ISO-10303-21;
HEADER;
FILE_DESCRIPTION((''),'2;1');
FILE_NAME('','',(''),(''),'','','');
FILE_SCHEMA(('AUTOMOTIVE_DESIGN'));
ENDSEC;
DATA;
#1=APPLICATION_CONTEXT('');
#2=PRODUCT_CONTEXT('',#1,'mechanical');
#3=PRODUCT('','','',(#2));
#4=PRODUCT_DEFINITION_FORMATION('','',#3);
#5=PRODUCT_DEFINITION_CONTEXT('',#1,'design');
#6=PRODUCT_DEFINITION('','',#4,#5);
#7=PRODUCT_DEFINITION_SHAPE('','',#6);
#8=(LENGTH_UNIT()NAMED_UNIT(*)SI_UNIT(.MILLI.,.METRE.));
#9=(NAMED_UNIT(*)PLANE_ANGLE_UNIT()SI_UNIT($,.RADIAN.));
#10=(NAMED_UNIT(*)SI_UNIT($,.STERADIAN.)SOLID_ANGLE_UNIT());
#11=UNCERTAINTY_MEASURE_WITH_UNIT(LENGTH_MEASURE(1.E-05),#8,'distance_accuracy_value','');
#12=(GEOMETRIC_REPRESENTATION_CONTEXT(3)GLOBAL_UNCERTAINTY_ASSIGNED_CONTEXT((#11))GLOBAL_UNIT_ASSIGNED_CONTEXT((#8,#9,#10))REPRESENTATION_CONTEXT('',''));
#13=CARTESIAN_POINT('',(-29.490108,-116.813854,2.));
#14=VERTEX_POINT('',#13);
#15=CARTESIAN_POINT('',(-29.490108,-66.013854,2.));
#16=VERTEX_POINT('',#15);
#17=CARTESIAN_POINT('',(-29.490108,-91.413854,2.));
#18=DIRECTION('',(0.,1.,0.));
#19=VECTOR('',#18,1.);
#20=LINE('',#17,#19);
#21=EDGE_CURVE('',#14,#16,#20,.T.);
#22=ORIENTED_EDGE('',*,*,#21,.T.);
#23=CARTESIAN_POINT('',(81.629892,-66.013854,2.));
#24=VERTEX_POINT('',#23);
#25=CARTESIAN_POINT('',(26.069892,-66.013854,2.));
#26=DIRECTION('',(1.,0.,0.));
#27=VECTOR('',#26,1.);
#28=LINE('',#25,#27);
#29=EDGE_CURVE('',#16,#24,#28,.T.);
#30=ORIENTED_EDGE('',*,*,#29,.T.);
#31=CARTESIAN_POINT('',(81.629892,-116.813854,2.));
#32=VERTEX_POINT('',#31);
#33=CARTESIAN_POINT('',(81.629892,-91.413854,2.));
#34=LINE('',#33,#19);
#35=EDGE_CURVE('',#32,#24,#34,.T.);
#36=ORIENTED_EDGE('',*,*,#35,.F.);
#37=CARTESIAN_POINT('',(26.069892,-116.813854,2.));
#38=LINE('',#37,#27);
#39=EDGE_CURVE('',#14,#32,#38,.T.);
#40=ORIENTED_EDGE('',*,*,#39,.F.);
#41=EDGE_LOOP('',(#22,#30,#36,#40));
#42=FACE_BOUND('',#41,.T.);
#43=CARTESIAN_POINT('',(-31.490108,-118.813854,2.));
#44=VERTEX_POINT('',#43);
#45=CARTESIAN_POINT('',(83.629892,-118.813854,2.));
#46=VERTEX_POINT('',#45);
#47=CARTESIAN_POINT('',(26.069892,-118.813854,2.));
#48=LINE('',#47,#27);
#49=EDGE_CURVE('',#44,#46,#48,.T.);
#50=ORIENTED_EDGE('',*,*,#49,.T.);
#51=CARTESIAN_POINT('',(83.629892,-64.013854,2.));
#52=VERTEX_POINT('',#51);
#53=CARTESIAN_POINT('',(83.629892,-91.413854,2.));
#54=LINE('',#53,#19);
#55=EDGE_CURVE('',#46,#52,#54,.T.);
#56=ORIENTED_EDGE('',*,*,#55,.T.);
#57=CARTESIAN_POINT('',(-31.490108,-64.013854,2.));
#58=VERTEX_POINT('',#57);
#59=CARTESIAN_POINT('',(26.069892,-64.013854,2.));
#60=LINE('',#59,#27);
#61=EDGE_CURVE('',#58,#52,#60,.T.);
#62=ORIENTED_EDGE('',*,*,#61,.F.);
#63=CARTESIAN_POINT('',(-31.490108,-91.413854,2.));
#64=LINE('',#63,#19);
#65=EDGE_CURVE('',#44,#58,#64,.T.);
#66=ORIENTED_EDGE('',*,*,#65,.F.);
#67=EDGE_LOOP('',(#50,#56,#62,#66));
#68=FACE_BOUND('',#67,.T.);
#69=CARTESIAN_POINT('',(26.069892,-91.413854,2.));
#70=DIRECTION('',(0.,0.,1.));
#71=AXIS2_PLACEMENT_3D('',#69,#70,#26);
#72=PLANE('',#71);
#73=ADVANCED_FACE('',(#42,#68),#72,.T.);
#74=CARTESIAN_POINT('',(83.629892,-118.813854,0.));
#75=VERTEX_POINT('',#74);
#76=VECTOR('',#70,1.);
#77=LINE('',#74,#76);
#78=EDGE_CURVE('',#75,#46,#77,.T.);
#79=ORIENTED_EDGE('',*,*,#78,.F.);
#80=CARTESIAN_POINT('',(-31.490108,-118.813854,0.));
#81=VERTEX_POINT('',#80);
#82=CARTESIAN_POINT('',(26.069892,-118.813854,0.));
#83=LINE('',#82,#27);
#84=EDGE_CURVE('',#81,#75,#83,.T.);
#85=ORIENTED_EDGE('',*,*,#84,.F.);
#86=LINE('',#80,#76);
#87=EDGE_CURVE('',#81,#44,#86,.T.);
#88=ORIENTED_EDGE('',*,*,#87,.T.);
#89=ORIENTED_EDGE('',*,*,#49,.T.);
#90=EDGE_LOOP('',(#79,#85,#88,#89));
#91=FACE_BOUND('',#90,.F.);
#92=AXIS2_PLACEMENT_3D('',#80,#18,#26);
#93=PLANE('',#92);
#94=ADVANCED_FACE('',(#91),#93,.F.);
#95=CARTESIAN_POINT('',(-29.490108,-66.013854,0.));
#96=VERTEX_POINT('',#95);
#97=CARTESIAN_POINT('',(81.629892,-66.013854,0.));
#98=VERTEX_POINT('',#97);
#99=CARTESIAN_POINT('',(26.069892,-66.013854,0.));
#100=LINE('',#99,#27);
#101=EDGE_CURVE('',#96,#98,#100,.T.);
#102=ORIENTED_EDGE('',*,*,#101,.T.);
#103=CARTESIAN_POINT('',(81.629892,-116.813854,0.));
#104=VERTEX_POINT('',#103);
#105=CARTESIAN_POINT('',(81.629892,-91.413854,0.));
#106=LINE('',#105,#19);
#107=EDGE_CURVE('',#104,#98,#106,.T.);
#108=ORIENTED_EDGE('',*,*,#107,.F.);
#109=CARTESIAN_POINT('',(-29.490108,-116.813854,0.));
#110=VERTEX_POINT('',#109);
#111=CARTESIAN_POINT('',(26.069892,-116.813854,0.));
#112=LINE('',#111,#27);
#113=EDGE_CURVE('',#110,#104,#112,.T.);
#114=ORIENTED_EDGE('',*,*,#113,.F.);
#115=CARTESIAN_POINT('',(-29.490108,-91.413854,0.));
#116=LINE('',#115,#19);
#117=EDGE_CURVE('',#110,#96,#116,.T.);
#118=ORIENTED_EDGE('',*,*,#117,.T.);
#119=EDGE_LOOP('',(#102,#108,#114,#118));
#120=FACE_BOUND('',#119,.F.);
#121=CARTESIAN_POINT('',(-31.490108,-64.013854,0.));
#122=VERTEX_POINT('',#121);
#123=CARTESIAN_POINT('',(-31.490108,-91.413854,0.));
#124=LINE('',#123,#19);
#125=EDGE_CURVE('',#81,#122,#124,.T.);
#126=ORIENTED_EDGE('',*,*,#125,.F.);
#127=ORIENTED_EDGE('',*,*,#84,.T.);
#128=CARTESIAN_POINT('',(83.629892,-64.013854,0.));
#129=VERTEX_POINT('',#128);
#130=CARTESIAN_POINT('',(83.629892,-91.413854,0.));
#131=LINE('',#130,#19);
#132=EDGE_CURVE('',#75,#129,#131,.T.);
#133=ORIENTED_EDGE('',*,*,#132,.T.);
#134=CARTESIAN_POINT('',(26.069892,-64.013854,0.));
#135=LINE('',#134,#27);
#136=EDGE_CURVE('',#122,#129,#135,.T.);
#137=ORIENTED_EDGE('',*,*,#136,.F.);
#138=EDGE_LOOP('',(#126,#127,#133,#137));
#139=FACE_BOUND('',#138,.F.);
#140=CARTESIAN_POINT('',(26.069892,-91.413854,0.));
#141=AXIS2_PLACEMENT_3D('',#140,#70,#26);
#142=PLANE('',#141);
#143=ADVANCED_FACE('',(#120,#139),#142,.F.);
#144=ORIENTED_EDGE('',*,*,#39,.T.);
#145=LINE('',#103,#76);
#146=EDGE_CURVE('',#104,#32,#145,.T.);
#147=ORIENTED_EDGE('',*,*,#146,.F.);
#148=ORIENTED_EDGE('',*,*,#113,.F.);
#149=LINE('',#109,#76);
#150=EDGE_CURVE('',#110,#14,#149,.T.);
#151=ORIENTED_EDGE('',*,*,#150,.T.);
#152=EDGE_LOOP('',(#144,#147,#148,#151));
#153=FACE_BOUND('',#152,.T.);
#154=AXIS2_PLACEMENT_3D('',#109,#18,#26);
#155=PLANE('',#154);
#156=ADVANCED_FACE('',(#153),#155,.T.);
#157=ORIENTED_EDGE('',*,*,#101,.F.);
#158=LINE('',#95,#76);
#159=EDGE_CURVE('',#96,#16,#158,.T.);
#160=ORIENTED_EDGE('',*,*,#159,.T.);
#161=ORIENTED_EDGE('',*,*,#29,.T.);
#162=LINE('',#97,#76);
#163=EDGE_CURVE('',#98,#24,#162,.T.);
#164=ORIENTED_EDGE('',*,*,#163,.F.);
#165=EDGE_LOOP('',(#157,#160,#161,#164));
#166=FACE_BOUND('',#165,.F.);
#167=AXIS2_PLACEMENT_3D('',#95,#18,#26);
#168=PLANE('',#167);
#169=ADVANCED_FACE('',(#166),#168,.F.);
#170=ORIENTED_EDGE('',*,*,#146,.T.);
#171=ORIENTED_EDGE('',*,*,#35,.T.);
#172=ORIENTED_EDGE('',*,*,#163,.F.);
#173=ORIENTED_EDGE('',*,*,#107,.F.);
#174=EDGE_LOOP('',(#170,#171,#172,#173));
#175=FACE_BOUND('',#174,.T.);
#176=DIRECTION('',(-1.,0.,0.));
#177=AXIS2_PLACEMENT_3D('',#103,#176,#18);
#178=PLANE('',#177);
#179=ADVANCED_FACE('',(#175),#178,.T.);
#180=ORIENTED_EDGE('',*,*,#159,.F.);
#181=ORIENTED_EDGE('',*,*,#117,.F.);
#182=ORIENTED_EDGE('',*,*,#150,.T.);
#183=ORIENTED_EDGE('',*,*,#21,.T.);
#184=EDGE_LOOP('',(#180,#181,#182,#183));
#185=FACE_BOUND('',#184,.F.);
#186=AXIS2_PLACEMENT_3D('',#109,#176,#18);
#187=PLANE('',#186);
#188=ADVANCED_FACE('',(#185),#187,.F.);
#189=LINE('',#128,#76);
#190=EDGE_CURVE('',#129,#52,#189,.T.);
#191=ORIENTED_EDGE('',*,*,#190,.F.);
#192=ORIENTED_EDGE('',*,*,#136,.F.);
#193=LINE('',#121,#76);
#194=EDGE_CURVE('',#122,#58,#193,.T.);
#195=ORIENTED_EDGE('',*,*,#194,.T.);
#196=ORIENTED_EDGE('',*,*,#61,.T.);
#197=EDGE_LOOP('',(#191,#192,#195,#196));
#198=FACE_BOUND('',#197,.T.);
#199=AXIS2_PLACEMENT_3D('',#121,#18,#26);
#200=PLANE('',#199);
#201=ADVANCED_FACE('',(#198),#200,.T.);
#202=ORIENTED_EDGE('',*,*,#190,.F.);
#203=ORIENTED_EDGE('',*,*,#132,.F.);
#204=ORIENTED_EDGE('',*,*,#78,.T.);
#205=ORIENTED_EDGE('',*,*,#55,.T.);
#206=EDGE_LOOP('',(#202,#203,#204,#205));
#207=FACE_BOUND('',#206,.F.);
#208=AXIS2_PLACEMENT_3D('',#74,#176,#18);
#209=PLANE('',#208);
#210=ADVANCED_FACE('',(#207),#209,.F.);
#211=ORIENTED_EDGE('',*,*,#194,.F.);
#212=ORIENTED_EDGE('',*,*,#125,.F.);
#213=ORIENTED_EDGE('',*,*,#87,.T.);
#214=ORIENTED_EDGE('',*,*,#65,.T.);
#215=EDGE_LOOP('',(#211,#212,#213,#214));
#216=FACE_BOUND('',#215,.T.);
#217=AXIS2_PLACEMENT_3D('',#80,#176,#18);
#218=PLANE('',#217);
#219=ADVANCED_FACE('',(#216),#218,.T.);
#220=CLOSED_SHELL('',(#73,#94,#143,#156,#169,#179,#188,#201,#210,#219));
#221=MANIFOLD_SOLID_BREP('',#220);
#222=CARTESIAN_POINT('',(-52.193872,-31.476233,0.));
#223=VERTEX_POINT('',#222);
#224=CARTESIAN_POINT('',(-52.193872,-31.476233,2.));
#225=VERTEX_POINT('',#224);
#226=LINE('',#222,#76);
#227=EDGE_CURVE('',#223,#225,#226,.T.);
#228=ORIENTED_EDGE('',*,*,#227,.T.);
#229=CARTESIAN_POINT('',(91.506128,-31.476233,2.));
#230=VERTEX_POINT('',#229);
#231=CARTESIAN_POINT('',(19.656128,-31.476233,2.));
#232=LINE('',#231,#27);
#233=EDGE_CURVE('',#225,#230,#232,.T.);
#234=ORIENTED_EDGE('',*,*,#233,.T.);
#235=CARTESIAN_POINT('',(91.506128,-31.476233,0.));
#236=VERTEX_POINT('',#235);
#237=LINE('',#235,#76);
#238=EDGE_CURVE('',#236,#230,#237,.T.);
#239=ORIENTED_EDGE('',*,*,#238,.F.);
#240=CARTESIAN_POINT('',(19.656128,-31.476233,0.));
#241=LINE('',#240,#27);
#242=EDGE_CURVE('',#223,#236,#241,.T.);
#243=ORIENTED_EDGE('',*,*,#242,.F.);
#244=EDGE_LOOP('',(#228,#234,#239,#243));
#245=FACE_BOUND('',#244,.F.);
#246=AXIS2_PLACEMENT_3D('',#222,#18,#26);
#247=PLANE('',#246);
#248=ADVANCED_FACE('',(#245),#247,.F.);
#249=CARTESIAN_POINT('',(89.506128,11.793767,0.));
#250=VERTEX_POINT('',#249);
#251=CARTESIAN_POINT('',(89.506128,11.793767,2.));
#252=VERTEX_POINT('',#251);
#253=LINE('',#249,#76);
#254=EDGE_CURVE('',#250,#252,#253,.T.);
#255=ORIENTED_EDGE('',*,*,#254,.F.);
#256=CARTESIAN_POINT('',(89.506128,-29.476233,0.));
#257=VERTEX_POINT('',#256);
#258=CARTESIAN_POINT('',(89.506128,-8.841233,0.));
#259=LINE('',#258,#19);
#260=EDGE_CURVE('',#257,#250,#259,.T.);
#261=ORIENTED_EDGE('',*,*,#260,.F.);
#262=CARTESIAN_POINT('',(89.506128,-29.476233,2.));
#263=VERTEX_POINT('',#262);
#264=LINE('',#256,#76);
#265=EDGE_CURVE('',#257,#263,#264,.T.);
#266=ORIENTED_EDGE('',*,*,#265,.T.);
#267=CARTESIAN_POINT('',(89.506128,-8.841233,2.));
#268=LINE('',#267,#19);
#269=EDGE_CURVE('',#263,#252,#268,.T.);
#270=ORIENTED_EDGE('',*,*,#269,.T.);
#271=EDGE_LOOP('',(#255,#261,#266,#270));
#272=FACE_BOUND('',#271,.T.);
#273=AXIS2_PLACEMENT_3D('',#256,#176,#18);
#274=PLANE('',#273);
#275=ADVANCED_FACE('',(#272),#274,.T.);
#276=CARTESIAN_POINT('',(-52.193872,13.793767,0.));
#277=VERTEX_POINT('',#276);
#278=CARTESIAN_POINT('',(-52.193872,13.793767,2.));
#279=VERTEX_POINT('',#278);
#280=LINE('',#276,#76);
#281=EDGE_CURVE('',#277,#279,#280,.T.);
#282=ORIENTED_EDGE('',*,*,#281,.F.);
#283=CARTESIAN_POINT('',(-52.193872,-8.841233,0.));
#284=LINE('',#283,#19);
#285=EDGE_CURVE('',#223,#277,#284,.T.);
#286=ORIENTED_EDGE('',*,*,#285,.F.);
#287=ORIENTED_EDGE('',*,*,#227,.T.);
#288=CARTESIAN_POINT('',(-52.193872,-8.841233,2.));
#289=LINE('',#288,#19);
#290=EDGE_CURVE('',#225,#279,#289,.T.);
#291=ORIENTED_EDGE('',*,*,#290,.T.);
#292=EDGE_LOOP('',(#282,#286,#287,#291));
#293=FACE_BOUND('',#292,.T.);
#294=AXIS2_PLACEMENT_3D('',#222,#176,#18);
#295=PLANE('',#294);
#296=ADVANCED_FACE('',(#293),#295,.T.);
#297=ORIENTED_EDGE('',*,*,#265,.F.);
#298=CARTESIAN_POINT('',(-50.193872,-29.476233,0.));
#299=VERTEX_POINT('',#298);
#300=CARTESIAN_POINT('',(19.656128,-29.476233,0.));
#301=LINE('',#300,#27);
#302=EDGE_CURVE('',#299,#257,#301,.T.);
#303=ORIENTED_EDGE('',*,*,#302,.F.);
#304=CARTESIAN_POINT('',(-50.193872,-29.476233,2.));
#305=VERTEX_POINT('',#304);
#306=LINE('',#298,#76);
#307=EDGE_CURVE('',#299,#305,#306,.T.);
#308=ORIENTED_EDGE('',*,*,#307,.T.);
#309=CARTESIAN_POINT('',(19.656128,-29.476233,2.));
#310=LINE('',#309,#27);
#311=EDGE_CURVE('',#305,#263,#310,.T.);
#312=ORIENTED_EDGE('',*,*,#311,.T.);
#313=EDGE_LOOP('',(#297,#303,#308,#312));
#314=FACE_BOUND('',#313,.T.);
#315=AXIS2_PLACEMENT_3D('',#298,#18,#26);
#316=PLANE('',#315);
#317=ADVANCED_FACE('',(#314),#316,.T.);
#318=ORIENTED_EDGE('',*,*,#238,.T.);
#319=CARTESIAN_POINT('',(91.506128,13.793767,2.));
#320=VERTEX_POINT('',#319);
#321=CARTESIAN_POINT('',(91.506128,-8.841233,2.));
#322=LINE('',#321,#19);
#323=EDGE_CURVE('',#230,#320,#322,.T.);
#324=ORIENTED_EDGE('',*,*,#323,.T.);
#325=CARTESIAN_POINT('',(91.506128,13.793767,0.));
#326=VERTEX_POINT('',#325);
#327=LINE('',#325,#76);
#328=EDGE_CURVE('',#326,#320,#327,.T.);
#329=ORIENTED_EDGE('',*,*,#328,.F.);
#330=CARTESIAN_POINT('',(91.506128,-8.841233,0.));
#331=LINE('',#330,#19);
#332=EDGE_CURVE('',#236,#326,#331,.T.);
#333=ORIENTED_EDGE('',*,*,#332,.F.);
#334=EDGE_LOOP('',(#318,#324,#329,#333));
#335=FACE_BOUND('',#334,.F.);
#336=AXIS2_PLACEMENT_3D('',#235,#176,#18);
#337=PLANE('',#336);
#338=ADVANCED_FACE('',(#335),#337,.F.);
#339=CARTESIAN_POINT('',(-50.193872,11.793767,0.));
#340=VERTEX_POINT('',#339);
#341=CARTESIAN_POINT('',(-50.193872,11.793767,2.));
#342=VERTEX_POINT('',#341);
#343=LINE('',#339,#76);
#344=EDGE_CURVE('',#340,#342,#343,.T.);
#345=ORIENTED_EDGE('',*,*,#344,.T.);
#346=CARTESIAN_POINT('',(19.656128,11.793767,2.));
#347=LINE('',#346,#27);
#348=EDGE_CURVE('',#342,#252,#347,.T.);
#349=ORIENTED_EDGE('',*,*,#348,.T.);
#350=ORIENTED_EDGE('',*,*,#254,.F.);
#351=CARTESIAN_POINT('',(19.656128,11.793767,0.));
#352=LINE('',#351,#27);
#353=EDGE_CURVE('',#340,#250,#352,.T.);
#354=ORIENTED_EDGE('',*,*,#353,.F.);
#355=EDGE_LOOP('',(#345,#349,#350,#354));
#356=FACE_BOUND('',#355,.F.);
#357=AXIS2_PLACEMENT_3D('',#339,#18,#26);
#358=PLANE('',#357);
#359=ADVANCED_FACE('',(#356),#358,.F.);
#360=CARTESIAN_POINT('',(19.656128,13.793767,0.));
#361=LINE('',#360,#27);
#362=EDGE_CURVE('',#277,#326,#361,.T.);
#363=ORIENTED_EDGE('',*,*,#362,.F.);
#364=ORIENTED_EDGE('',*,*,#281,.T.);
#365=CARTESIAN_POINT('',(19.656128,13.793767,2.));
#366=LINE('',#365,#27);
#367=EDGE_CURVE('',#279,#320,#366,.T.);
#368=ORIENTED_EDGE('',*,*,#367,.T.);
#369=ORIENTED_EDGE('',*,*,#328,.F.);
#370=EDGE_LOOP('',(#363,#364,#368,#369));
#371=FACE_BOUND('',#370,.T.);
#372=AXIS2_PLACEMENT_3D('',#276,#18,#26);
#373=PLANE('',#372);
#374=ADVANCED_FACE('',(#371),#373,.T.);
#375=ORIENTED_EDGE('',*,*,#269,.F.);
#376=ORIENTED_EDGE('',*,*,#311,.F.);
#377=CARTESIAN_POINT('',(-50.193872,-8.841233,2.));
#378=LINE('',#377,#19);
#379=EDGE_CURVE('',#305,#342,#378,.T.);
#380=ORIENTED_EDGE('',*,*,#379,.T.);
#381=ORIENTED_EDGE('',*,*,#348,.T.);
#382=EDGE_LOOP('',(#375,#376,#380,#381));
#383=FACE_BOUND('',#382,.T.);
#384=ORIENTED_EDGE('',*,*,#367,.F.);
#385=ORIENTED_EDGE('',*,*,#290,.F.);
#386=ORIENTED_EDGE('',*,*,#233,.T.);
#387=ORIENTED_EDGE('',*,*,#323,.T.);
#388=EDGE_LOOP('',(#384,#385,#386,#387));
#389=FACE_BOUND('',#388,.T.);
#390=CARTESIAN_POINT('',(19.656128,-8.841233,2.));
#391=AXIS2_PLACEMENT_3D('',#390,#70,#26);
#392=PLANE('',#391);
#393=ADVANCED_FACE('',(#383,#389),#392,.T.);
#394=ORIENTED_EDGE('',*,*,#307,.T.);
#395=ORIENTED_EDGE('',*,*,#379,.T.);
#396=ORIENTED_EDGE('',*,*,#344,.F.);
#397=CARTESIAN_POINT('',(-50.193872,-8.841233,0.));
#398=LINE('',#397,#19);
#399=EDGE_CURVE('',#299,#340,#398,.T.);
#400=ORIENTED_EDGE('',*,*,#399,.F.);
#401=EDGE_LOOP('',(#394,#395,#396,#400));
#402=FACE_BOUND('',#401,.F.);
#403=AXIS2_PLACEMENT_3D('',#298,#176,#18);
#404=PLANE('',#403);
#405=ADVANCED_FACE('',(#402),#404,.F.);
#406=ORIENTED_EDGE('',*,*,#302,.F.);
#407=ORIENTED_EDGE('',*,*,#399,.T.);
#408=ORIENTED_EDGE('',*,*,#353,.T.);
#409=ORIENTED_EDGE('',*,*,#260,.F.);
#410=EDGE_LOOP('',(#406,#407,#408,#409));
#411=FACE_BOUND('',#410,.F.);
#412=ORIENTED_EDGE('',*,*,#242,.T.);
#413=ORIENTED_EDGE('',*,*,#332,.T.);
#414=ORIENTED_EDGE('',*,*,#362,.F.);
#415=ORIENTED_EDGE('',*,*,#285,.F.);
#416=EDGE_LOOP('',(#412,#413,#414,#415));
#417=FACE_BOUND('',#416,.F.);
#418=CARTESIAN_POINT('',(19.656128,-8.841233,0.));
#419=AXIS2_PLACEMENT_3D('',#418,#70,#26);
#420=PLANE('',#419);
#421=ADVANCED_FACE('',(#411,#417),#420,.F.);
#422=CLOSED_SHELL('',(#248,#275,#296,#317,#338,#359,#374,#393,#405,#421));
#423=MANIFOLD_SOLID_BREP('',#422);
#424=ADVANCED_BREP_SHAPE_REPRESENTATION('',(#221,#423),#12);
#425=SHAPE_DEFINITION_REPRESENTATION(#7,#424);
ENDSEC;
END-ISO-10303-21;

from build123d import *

# Parameters (mm, degrees)
SKETCH_W      = 143.7
SKETCH_H      = 45.27
SKETCH_W_2    = 139.7
SKETCH_H_2    = 41.27
PAD_DEPTH     = 2
SKETCH001_W   = 115.12
SKETCH001_H   = 54.8
SKETCH001_W_2 = 111.12
SKETCH001_H_2 = 50.8
PAD001_DEPTH  = 2


with BuildPart() as top:
    # Sketch → Pad (new body)
    with BuildSketch(Plane.XY):
        with Locations((19.656128, -8.841233)):
            Rectangle(SKETCH_W, SKETCH_H)
        with Locations((19.656128, -8.841233)):
            Rectangle(SKETCH_W_2, SKETCH_H_2, mode=Mode.SUBTRACT)
    extrude(amount=PAD_DEPTH)


with BuildPart() as bottom:
    # Sketch001 → Pad001 (new body)
    with BuildSketch(Plane.XY):
        with Locations((26.069892, -91.413854)):
            Rectangle(SKETCH001_W, SKETCH001_H)
        with Locations((26.069892, -91.413854)):
            Rectangle(SKETCH001_W_2, SKETCH001_H_2, mode=Mode.SUBTRACT)
    extrude(amount=PAD001_DEPTH)


solid = Compound([top.part, bottom.part])
